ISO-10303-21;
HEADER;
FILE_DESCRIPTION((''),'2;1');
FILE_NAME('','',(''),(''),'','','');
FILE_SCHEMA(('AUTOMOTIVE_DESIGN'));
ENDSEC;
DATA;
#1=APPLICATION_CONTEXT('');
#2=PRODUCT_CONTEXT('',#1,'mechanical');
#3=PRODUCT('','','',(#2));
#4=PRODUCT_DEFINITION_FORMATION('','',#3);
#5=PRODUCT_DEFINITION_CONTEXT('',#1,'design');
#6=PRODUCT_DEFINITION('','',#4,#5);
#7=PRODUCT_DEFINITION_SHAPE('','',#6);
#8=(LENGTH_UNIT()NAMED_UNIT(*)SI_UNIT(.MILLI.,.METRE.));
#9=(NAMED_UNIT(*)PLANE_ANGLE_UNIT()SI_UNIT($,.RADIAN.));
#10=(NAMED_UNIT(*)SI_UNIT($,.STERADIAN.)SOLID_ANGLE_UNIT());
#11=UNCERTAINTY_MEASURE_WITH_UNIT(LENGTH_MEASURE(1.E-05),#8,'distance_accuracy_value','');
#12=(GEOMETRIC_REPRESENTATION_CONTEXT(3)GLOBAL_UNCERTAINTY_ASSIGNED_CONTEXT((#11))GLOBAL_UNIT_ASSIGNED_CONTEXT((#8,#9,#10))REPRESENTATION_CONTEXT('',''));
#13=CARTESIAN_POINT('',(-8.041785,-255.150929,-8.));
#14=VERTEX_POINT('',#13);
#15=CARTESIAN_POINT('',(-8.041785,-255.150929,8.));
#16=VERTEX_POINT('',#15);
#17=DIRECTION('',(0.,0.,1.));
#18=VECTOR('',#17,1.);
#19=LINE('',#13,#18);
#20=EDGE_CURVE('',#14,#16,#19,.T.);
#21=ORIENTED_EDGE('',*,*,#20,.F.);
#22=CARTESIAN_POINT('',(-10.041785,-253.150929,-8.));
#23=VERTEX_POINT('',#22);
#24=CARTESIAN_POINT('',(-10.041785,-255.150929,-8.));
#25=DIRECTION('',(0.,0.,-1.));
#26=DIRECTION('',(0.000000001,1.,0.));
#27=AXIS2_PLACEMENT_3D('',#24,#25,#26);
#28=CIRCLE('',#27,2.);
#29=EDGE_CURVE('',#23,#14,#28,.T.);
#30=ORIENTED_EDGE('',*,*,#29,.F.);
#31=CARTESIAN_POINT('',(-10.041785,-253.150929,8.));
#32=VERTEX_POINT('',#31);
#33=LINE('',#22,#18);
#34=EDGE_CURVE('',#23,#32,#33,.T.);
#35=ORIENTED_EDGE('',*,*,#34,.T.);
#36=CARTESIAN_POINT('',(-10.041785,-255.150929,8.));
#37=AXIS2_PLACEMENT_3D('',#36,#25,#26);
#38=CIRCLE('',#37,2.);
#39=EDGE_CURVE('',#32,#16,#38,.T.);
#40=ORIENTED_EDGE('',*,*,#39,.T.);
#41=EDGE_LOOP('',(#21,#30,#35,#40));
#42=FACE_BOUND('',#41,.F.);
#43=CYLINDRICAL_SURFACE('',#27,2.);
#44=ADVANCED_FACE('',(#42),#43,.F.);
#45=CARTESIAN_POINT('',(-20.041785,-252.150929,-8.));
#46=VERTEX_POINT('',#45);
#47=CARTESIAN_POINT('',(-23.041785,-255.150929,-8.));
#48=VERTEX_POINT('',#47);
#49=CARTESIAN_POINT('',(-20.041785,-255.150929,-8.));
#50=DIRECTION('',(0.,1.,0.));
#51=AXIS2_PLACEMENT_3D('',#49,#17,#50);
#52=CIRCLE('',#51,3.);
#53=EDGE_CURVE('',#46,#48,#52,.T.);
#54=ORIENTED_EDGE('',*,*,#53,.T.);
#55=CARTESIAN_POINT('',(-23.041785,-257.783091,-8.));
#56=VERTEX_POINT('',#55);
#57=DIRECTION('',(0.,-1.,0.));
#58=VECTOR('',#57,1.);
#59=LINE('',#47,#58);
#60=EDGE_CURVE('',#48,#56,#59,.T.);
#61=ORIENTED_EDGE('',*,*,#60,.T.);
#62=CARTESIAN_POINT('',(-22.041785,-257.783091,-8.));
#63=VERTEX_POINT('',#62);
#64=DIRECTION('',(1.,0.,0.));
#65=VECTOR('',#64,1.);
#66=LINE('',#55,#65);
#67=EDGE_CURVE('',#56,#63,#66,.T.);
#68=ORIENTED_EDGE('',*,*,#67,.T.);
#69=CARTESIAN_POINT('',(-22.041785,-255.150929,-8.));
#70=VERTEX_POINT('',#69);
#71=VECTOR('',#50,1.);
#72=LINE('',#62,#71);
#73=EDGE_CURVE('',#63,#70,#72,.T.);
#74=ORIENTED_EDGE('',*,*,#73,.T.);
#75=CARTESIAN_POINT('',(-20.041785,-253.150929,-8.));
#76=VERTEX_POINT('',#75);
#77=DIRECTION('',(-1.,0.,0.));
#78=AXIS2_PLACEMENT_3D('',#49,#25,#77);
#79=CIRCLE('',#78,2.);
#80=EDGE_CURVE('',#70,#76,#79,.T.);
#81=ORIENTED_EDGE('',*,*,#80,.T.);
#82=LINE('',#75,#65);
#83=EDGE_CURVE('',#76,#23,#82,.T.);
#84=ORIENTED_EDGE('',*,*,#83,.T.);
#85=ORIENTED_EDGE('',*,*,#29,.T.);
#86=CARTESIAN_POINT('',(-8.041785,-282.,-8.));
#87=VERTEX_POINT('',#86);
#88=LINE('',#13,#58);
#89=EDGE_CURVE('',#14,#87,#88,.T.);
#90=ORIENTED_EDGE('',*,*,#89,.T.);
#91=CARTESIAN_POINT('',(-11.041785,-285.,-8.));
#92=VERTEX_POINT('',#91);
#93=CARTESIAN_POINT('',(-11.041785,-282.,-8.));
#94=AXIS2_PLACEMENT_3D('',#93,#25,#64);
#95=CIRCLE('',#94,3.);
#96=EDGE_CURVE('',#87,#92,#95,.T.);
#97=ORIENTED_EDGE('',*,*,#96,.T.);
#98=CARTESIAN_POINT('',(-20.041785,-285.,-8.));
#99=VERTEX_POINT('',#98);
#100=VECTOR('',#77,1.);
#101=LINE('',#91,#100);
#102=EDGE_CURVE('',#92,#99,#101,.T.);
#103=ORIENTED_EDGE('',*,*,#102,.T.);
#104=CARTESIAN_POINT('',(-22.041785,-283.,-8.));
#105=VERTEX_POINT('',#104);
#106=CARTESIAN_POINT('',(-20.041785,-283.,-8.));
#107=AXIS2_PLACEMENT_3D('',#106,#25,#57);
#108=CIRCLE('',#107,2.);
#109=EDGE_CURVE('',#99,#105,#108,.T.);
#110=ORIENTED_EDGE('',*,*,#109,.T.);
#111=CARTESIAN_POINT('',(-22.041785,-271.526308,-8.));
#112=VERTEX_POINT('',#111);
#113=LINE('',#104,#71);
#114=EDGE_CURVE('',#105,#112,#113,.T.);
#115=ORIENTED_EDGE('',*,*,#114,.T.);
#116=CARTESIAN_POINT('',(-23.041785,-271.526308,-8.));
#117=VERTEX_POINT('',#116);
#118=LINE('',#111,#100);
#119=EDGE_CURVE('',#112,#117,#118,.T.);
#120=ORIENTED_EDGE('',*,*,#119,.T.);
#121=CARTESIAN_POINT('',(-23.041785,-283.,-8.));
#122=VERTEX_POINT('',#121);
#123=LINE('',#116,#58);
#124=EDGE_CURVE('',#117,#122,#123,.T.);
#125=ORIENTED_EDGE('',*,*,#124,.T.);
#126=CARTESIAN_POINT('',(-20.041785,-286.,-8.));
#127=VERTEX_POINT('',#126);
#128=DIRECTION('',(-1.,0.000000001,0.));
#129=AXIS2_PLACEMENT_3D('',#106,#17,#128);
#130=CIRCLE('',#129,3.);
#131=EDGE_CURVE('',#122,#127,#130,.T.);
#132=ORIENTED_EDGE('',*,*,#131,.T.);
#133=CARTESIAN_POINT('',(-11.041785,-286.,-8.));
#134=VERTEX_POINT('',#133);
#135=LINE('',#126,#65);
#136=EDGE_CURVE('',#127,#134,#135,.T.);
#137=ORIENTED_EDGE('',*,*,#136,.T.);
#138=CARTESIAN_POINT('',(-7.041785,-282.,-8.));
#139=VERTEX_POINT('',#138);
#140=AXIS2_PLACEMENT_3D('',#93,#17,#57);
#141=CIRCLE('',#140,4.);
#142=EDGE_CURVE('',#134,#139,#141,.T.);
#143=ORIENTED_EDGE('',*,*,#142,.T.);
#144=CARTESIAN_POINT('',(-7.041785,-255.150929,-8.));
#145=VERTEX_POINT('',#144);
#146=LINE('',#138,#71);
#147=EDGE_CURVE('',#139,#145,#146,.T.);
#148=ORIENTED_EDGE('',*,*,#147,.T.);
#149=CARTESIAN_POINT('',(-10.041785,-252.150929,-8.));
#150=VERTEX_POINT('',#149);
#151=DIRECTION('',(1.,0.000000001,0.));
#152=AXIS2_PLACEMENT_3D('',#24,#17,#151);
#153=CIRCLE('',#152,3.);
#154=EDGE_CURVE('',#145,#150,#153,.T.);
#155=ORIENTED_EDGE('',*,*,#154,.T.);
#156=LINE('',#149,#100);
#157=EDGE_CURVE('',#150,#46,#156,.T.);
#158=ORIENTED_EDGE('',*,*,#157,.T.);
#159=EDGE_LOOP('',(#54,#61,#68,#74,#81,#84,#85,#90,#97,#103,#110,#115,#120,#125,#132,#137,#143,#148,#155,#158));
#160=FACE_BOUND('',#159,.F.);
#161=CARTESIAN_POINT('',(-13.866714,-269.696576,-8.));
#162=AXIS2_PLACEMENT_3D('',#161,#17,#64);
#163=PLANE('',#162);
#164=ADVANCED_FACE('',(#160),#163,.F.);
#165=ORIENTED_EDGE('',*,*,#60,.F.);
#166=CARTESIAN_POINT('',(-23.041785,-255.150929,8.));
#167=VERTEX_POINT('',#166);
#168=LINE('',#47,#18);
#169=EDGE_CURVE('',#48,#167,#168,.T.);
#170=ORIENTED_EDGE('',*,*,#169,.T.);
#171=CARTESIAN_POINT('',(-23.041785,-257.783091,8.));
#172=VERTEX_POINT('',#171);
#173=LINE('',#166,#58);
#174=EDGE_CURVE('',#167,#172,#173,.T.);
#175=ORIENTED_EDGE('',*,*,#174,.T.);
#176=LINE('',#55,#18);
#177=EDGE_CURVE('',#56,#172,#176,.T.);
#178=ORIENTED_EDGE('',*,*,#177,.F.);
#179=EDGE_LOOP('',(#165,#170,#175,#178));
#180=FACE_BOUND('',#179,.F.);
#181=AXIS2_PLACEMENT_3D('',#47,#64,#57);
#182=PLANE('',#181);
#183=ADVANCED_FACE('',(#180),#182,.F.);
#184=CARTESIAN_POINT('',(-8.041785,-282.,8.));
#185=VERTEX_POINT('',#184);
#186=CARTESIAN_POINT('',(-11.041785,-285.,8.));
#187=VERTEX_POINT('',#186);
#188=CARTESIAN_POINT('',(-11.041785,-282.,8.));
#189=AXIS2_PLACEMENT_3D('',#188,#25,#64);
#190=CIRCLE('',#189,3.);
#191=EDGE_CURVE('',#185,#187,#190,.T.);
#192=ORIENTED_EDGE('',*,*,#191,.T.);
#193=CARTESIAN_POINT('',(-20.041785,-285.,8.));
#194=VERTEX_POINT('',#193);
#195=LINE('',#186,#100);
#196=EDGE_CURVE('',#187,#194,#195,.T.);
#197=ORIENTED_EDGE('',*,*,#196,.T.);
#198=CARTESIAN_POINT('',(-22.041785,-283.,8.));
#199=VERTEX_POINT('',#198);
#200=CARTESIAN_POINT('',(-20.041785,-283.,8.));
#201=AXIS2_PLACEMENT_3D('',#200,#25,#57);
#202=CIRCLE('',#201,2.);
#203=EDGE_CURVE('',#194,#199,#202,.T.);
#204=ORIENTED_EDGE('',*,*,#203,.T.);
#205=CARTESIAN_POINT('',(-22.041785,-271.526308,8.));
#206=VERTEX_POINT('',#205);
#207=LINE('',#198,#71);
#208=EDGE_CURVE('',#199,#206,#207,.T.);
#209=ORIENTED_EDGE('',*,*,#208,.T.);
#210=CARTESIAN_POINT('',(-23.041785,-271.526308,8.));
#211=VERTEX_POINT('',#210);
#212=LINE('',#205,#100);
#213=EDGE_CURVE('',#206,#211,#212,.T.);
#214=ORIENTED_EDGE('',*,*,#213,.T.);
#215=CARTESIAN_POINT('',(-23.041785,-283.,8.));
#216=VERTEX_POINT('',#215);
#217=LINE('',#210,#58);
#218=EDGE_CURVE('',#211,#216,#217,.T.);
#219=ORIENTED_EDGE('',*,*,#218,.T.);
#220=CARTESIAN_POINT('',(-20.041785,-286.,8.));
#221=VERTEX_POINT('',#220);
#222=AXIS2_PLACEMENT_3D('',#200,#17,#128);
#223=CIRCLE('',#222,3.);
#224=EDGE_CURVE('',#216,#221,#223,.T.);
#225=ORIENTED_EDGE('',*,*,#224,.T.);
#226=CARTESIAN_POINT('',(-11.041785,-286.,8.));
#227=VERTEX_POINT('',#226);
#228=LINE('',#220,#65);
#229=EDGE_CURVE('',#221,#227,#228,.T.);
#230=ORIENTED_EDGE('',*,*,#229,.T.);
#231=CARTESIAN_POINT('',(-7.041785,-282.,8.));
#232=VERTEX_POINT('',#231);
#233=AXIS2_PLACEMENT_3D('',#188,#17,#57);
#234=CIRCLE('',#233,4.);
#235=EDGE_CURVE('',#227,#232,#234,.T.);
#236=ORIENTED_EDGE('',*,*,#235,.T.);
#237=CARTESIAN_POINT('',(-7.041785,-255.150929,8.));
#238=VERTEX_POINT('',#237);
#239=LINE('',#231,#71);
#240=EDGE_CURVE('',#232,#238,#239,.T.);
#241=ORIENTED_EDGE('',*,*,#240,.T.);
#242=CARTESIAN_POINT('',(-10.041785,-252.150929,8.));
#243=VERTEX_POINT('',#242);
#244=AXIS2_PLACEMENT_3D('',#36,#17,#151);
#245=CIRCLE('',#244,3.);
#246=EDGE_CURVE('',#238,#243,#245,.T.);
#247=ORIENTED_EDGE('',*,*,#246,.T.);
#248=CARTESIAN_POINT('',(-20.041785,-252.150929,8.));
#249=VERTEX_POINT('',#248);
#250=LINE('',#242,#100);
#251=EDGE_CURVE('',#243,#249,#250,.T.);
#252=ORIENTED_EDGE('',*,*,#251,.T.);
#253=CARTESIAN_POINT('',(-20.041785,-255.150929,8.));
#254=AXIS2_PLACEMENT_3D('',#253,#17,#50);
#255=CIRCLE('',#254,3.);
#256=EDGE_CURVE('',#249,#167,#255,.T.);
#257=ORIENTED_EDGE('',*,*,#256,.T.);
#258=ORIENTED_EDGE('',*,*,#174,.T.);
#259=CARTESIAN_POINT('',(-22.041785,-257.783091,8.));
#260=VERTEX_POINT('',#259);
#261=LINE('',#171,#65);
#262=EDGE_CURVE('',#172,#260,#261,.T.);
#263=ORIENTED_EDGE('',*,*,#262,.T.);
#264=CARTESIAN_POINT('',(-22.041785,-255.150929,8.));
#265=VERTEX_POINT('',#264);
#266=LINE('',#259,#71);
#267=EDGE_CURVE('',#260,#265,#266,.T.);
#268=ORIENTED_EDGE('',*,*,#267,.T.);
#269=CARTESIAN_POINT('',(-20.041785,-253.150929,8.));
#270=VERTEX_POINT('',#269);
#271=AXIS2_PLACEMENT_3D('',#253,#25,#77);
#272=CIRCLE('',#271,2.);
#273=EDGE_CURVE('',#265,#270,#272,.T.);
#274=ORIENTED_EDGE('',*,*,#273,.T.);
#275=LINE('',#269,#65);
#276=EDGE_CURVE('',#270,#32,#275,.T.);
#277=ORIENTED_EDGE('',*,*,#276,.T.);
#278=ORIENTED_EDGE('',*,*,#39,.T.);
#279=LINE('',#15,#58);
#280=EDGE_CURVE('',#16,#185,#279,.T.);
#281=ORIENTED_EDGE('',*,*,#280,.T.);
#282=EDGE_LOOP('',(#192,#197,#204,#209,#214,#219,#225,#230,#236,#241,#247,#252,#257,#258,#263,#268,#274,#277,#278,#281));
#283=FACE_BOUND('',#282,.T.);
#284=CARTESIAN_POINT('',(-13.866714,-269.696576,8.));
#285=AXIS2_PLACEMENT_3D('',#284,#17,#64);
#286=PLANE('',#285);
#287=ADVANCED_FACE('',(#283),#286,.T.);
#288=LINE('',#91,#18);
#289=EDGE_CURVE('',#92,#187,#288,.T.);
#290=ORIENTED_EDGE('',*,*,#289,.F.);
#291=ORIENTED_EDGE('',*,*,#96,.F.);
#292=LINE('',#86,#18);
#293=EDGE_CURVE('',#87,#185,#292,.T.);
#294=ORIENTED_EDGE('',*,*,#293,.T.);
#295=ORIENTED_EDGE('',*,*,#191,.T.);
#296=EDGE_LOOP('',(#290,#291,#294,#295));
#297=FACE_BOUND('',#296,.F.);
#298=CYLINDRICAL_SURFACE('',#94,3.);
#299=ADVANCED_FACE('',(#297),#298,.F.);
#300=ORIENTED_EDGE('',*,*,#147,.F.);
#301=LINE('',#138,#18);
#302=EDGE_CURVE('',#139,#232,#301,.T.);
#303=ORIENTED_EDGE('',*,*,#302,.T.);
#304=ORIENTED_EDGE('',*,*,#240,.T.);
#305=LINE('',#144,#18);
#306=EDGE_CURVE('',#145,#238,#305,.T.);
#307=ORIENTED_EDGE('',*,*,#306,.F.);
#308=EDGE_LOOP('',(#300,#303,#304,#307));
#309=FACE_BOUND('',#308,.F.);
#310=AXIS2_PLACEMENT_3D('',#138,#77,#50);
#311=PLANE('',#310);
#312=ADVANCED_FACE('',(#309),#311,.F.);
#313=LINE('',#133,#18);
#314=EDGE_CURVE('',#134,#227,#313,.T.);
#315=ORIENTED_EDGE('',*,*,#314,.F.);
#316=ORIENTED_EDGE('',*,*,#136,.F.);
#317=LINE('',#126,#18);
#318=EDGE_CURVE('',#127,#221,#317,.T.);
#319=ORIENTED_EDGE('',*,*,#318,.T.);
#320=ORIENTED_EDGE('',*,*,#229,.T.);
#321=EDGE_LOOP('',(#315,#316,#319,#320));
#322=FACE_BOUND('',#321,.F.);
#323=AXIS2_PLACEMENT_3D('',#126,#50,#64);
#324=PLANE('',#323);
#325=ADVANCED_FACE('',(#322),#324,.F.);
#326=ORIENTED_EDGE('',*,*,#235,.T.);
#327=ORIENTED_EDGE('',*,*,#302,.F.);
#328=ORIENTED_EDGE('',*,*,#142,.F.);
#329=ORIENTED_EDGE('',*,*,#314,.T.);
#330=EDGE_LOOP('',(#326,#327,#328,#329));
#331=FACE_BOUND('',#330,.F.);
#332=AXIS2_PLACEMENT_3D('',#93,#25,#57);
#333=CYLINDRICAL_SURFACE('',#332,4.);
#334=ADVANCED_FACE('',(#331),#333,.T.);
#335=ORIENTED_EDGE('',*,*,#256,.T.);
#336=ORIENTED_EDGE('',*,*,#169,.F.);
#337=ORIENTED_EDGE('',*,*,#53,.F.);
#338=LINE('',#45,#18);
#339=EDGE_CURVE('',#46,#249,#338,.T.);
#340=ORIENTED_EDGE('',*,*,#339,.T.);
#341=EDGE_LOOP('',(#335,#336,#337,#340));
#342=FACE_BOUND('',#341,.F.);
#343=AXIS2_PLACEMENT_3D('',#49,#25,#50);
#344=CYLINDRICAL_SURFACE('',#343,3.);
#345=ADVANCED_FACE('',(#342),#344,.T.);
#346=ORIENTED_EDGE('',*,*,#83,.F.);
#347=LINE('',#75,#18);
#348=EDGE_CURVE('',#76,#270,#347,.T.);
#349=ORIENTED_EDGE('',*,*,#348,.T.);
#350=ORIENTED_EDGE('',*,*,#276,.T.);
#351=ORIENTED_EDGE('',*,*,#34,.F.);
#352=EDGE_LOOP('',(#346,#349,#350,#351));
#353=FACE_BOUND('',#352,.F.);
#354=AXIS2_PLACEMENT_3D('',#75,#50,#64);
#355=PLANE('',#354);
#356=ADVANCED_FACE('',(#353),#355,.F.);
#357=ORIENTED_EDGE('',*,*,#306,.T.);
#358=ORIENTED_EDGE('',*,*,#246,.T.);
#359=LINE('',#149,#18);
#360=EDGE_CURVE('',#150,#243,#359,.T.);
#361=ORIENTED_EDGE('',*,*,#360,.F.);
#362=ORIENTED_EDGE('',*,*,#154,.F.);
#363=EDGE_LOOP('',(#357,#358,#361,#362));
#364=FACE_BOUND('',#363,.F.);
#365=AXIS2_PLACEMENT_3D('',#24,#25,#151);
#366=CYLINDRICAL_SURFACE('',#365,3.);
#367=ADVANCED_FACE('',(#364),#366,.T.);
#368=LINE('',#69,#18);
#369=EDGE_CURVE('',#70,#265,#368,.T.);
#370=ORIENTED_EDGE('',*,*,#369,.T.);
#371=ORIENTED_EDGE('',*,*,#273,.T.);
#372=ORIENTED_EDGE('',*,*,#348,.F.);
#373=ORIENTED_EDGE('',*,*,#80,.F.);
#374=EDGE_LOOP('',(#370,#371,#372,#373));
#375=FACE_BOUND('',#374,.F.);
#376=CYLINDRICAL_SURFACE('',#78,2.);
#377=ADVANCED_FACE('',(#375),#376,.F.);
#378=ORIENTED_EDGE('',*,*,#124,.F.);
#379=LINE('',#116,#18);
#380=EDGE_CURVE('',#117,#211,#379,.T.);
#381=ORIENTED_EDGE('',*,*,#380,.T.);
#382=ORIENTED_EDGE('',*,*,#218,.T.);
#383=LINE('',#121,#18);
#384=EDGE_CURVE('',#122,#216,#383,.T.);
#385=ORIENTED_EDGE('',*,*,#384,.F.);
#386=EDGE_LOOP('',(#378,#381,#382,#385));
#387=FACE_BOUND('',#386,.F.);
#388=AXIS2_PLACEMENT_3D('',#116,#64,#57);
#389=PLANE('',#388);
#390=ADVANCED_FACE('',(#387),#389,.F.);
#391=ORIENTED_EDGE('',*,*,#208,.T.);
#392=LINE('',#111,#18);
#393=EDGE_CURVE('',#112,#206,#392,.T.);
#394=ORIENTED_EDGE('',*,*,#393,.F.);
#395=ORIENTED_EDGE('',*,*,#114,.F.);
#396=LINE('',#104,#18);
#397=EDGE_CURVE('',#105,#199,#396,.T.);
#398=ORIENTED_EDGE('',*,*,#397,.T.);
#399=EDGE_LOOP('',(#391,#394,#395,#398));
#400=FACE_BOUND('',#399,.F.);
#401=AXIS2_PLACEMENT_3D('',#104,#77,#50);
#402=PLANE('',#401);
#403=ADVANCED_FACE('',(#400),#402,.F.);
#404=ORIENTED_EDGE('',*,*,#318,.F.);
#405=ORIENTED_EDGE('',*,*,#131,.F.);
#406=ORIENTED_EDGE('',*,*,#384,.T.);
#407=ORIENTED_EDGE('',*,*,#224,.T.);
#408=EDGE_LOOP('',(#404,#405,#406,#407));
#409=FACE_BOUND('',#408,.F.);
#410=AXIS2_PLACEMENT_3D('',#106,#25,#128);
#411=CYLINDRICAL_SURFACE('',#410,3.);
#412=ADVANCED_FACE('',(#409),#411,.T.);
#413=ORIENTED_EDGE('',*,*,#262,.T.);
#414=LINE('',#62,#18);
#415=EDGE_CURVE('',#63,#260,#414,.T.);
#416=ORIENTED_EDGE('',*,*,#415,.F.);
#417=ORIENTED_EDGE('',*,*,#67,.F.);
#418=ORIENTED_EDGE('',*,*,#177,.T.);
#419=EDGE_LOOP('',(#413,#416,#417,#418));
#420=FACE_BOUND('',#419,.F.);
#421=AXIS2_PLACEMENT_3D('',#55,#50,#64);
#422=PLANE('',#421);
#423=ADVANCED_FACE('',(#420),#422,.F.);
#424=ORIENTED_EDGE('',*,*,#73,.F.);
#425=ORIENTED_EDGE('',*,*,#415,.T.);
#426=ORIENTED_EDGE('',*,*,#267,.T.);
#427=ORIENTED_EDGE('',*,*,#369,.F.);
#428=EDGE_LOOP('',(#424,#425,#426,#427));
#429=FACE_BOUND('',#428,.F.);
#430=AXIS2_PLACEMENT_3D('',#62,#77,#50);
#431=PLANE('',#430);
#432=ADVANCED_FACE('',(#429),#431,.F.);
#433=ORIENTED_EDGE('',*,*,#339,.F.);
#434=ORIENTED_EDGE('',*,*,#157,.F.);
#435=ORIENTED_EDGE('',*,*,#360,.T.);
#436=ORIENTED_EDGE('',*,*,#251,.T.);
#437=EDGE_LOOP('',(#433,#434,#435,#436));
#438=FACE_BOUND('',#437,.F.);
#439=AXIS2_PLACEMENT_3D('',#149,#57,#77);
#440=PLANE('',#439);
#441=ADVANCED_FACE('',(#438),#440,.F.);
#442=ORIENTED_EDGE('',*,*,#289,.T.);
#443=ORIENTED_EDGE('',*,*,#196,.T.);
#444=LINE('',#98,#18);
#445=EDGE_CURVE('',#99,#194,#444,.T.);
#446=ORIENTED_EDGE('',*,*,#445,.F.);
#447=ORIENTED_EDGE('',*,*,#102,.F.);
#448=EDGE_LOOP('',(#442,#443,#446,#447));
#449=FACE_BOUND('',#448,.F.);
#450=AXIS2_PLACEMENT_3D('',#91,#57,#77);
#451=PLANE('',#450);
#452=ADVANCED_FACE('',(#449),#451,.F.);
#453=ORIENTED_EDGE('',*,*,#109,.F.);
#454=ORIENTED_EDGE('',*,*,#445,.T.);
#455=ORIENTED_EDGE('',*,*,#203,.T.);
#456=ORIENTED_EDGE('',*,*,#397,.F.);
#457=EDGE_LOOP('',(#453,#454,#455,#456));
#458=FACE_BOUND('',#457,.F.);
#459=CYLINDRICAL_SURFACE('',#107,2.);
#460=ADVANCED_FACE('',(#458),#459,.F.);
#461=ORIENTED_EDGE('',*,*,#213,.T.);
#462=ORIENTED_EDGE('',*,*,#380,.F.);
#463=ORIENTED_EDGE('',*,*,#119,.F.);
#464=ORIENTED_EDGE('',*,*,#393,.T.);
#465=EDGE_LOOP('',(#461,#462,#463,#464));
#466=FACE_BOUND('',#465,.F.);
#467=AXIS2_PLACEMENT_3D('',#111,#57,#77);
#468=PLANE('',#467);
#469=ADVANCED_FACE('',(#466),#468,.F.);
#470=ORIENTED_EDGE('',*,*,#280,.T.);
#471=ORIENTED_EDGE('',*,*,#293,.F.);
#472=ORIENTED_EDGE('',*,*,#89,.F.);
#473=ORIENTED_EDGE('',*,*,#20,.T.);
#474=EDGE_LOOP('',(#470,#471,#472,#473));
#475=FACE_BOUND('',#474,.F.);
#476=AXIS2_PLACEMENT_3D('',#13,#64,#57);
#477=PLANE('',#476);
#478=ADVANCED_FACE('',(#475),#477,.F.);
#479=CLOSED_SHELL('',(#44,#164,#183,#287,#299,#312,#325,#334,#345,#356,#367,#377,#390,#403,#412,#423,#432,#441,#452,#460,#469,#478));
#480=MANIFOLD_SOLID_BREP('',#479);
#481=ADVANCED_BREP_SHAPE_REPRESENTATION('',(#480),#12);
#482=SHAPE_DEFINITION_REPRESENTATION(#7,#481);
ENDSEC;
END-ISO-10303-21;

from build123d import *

# Parameters (mm, degrees)
BOSS_EXTRUDE1_DEPTH      = 8
BOSS_EXTRUDE1_DEPTH_BACK = 8


with BuildPart() as part:
    # Sketch1 → Boss-Extrude1 (new, two sides: drawn at the far end of the back side and taken through both)
    with BuildSketch(Plane.XY.offset(-BOSS_EXTRUDE1_DEPTH_BACK)):
        with BuildLine():
            Line((-23.041785381, -271.526308081), (-23.041785381, -283))
            ThreePointArc((-23.041785381, -283), (-22.163105725, -285.121320344), (-20.041785381, -286))
            Line((-20.041785381, -286), (-11.041785381, -286))
            ThreePointArc((-11.041785381, -286), (-8.213358256, -284.828427125), (-7.041785381, -282))
            Line((-7.041785381, -282), (-7.041785381, -255.150929215))
            ThreePointArc((-7.041785381, -255.150929215), (-7.920465038, -253.029608872), (-10.041785381, -252.150929215))
            Line((-10.041785381, -252.150929215), (-20.041785381, -252.150929215))
            ThreePointArc((-20.041785381, -252.150929215), (-22.163105725, -253.029608872), (-23.041785381, -255.150929215))
            Line((-23.041785381, -255.150929215), (-23.041785381, -257.783091126))
            Line((-23.041785381, -257.783091126), (-22.041785381, -257.783091126))
            Line((-22.041785381, -257.783091126), (-22.041785381, -255.150929215))
            ThreePointArc((-22.041785381, -255.150929215), (-21.455998944, -253.736715653), (-20.041785381, -253.150929215))
            Line((-20.041785381, -253.150929215), (-10.041785381, -253.150929215))
            ThreePointArc((-10.041785381, -253.150929215), (-8.627571819, -253.736715653), (-8.041785381, -255.150929215))
            Line((-8.041785381, -255.150929215), (-8.041785381, -282))
            ThreePointArc((-8.041785381, -282), (-8.920465038, -284.121320344), (-11.041785381, -285))
            Line((-11.041785381, -285), (-20.041785381, -285))
            ThreePointArc((-20.041785381, -285), (-21.455998944, -284.414213562), (-22.041785381, -283))
            Line((-22.041785381, -283), (-22.041785381, -271.526308081))
            Line((-22.041785381, -271.526308081), (-23.041785381, -271.526308081))
        make_face()
    extrude(amount=BOSS_EXTRUDE1_DEPTH + BOSS_EXTRUDE1_DEPTH_BACK)


solid = part.part
